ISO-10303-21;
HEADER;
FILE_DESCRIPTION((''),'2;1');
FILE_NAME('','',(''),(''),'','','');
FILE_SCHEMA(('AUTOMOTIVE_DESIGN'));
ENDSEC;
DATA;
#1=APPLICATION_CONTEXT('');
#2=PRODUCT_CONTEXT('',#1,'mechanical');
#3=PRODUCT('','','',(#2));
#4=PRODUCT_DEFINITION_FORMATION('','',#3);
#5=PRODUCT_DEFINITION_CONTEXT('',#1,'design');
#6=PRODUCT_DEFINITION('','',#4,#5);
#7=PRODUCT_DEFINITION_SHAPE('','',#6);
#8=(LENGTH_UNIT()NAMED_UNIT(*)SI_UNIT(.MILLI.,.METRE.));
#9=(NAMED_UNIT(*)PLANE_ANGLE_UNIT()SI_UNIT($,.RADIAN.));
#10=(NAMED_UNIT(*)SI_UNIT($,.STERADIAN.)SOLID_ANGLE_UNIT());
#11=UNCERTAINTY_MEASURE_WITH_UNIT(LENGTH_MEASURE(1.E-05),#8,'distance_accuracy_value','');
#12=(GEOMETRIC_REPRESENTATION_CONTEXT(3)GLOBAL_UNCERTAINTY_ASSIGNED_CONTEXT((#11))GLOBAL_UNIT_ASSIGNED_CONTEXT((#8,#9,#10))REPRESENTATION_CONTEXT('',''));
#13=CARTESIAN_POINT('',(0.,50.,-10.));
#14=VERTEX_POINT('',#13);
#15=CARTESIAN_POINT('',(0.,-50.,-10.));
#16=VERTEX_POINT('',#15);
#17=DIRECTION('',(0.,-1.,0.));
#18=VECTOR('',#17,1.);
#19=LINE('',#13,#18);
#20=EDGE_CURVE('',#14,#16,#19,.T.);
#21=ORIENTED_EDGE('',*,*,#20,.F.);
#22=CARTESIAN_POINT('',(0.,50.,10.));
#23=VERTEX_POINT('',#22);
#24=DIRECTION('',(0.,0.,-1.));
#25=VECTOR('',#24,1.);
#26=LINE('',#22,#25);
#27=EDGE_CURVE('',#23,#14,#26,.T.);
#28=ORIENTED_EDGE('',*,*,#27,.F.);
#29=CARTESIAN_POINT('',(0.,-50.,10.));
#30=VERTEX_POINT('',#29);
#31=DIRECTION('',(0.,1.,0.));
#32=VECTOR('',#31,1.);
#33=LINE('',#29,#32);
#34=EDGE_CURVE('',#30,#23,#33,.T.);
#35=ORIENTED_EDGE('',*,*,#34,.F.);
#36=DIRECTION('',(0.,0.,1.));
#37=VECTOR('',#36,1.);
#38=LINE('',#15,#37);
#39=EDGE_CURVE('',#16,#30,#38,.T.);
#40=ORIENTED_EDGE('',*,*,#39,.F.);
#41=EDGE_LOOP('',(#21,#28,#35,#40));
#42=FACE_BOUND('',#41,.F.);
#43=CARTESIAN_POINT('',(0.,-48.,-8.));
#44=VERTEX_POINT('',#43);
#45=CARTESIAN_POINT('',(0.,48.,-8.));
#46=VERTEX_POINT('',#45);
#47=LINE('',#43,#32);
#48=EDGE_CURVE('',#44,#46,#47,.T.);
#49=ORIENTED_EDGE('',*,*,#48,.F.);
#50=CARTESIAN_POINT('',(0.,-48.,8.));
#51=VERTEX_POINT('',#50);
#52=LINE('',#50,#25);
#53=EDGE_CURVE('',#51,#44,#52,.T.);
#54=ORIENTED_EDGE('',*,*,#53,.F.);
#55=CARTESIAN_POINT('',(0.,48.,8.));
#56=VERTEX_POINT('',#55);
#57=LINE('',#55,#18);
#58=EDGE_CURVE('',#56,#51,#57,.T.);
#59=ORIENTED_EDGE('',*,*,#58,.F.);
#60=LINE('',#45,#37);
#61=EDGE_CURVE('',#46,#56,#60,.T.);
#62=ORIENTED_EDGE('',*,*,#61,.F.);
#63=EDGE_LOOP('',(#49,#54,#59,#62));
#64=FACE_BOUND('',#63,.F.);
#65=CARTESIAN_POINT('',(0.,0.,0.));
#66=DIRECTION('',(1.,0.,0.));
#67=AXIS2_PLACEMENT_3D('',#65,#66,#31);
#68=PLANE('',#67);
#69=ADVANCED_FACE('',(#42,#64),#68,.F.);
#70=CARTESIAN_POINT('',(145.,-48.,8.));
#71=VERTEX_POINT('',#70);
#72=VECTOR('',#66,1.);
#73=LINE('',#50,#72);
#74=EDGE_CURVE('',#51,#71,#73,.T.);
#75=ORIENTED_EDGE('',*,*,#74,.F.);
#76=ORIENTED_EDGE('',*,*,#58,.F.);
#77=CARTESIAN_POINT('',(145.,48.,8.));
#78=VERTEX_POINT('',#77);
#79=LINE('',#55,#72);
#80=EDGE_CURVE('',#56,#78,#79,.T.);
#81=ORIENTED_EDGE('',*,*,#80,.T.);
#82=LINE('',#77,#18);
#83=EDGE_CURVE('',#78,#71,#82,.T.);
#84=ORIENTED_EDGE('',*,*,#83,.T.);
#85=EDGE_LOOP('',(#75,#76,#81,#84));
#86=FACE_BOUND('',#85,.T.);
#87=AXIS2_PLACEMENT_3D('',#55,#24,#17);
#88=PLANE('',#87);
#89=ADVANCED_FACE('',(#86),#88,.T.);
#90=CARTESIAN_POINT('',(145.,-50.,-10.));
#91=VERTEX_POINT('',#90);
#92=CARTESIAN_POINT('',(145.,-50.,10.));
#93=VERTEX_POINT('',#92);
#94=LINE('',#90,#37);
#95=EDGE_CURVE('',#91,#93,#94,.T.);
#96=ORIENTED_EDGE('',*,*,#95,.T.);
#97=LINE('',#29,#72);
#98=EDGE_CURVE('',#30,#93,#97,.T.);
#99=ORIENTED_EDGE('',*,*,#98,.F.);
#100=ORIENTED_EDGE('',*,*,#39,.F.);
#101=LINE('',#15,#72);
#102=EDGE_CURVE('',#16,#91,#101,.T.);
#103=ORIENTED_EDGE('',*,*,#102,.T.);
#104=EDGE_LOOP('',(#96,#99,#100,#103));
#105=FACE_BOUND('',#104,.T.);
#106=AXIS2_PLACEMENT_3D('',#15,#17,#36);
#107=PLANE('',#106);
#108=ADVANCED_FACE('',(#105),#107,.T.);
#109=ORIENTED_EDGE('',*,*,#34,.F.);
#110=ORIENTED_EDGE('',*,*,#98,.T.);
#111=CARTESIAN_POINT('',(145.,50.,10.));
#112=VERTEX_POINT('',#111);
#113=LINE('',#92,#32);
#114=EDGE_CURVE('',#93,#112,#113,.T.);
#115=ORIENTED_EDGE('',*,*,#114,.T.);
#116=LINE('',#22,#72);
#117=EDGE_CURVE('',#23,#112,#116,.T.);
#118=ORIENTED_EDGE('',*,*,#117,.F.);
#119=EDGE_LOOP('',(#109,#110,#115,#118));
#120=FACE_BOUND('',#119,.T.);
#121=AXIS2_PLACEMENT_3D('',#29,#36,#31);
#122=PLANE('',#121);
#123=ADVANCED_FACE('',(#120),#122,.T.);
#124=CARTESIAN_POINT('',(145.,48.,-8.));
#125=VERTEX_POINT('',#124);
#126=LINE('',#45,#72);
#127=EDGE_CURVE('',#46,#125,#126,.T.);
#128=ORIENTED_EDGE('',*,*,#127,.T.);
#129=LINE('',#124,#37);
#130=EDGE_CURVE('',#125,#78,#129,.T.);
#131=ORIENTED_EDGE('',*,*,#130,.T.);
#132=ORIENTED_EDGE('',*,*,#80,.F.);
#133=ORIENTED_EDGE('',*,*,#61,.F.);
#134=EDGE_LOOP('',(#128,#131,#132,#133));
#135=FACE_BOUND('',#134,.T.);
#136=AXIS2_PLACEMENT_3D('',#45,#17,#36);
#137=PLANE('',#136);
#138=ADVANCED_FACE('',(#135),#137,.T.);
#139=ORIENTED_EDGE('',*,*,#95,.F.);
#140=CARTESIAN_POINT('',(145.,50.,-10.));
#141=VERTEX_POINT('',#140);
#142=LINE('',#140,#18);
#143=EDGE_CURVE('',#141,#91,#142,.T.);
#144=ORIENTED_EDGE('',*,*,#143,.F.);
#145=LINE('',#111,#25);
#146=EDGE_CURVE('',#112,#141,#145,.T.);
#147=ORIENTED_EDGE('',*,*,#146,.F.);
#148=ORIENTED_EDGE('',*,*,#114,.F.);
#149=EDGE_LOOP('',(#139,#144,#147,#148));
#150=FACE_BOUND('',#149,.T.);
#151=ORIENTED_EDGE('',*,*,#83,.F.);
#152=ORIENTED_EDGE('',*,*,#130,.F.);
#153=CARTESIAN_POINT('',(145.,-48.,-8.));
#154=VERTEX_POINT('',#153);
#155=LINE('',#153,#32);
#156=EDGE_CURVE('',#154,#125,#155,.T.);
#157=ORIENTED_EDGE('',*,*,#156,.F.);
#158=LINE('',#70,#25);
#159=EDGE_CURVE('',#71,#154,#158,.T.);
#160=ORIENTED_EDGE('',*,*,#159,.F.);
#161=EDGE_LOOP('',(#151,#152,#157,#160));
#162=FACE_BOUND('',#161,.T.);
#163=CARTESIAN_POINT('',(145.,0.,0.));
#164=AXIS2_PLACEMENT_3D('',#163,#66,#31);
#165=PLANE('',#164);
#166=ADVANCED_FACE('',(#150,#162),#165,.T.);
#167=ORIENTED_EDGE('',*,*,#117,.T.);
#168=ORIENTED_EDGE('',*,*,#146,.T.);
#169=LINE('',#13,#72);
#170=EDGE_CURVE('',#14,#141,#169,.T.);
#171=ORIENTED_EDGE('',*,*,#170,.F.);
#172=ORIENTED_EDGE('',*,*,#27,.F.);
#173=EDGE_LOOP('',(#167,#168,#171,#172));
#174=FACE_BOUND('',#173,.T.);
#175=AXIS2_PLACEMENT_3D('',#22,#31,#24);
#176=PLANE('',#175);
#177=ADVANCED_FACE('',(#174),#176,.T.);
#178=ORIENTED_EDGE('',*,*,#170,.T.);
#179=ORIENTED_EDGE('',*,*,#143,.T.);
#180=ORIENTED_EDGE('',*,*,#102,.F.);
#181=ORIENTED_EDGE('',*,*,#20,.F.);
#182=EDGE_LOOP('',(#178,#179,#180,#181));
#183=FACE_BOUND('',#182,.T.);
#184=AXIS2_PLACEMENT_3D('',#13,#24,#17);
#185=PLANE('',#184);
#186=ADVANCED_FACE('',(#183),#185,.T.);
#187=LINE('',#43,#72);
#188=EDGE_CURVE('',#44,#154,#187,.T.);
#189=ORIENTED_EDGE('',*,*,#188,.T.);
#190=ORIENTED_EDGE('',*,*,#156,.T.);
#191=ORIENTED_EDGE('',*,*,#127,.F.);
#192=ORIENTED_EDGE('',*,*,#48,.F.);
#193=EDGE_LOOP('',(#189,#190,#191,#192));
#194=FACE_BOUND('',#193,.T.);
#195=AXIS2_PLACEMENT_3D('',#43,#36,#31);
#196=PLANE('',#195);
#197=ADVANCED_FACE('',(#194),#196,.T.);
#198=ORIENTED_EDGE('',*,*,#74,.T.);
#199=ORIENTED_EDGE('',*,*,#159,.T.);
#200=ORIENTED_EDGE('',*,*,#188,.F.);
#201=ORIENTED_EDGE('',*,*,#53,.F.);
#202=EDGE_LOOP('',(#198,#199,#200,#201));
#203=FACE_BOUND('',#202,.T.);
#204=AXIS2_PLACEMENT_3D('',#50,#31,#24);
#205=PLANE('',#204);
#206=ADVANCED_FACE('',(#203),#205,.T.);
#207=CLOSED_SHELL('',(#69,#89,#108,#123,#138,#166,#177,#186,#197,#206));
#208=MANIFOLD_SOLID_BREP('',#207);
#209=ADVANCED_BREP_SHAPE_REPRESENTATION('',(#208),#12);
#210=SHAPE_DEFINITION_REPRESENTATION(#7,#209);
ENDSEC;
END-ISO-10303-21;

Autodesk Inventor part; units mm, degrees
ref_plane "YZ Plane" through (0, 0, 0) normal (1, 0, 0) x (0, 1, 0)
ref_plane "XZ Plane" through (0, 0, 0) normal (0, 1, 0) x (-1, 0, 0)
ref_plane "XY Plane" through (0, 0, 0) normal (0, 0, 1) x (1, 0, 0)
sketch "Sketch1" plane through (0, 0, 0) normal (1, 0, 0) x (0, 1, 0)
  line L0 (-50, 10) -> (50, 10)
  line L1 (50, 10) -> (50, -10)
  line L2 (50, -10) -> (-50, -10)
  line L3 (-50, -10) -> (-50, 10)
  line L4 (-50, 10) -> (50, -10) construction
  line L5 (50, 10) -> (-50, -10) construction
  line L6 (48, -8) -> (48, 8)
  line L7 (48, 8) -> (-48, 8)
  line L8 (-48, 8) -> (-48, -8)
  line L9 (-48, -8) -> (48, -8)
  point P0 (0, 0)
  dimension "d0" = 20
  dimension "d1" = 100
  dimension "d2" = 2
extrude "Extrusion1" add sketch "Sketch1" along normal blind 145
properties part number "Side Front Extrusion" material "Aluminum 6061"
